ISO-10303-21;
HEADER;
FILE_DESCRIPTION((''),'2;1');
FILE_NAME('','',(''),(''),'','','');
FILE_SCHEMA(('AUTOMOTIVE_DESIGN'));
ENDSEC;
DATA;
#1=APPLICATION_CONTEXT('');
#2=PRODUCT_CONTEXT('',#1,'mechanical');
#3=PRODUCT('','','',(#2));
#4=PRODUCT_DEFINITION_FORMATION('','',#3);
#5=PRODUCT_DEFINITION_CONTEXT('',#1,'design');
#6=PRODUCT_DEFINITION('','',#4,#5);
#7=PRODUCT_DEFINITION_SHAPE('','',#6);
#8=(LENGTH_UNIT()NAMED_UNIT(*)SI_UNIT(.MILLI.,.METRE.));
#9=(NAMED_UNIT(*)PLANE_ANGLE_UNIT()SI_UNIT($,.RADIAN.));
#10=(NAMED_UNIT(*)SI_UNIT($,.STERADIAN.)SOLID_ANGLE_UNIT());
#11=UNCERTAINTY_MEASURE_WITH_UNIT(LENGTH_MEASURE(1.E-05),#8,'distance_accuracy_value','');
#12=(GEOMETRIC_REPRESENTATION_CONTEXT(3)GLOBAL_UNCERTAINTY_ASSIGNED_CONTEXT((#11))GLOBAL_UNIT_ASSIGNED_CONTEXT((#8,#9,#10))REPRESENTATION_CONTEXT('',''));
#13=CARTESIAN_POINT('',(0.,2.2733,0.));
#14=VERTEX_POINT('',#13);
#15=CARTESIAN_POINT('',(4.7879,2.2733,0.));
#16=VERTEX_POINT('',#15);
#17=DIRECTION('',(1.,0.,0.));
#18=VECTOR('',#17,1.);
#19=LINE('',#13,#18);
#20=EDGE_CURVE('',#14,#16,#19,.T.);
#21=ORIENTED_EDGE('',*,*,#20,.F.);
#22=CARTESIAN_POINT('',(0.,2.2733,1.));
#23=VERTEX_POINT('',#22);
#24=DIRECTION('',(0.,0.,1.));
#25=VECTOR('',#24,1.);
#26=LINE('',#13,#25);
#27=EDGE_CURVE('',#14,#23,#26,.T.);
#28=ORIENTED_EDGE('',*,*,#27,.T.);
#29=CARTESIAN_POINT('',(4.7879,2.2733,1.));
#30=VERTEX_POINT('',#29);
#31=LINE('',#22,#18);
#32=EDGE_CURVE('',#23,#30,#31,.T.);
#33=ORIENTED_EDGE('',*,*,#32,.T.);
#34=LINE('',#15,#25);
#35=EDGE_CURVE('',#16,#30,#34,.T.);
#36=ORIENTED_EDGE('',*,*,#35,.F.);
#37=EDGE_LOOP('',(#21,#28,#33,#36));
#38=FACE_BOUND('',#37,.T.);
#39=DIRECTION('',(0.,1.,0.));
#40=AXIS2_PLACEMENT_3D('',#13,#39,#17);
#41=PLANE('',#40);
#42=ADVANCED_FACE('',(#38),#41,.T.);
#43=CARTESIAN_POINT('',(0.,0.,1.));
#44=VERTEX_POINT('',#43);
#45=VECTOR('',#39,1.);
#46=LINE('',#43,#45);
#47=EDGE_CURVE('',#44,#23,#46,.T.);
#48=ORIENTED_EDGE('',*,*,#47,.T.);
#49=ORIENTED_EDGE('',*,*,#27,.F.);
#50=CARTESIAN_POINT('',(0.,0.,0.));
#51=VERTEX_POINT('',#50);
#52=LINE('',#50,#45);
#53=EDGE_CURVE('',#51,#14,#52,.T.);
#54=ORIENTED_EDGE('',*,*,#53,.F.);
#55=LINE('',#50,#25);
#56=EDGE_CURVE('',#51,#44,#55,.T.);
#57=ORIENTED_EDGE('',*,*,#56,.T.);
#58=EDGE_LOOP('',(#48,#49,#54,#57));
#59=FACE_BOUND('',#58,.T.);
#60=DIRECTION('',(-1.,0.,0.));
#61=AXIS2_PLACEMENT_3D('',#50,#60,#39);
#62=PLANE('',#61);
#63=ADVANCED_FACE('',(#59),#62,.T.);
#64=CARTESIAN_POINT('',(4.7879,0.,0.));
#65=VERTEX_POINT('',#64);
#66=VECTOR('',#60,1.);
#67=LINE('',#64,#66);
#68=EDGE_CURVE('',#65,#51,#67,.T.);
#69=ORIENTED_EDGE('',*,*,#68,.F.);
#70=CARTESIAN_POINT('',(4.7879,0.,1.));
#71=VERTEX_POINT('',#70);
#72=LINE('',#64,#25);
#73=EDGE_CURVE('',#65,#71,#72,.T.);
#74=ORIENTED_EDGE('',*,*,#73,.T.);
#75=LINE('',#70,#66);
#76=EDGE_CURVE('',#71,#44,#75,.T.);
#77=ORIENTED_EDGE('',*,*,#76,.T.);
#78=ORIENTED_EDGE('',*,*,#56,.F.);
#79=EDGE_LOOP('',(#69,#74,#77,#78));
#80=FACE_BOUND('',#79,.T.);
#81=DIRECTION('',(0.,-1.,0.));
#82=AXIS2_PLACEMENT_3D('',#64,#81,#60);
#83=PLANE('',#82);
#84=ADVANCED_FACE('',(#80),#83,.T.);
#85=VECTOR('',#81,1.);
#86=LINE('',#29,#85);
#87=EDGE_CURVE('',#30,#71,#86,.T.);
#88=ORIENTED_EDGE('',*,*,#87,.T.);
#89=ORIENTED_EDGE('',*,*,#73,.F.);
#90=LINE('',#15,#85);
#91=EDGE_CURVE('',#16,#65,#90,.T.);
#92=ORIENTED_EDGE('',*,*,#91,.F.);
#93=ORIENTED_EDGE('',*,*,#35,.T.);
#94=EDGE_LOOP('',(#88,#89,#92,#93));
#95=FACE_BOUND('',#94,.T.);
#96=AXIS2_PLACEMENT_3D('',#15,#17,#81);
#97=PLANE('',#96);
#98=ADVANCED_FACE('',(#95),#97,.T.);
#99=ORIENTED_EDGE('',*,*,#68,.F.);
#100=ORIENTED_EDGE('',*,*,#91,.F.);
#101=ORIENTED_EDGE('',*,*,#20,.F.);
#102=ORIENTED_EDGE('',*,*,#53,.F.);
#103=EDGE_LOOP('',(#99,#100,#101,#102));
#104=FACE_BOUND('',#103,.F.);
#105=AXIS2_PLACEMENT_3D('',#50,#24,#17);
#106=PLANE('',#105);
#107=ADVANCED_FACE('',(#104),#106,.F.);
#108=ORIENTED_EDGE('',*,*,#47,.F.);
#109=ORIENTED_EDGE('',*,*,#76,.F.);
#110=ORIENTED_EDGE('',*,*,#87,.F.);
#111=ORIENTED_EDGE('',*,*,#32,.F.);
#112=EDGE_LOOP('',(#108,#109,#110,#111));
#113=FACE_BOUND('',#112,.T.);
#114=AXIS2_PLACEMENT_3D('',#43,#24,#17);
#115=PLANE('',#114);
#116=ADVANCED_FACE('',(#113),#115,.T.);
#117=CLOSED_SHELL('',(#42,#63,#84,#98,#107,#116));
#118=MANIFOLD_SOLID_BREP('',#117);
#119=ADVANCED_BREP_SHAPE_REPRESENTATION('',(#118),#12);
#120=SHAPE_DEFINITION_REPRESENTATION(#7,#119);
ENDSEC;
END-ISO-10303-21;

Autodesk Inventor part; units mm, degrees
ref_plane "YZ Plane" through (0, 0, 0) normal (1, 0, 0) x (0, 1, 0)
ref_plane "XZ Plane" through (0, 0, 0) normal (0, 1, 0) x (-1, 0, 0)
ref_plane "XY Plane" through (0, 0, 0) normal (0, 0, 1) x (1, 0, 0)
sketch "SILK_3V3_TAG, SILK_3V3_TAG_162" plane through (0, 0, 0) normal (0, 0, 1) x (1, 0, 0)
  line L0 (0, 2.2733) -> (4.7879, 2.2733)
  line L1 (4.7879, 2.2733) -> (4.7879, 0)
  line L2 (4.7879, 0) -> (0, 0)
  line L3 (0, 0) -> (0, 2.2733)
extrude "Extrusion1" add sketch "SILK_3V3_TAG, SILK_3V3_TAG_162" along normal blind 1
properties part number "SILK_3V3_TAG"
